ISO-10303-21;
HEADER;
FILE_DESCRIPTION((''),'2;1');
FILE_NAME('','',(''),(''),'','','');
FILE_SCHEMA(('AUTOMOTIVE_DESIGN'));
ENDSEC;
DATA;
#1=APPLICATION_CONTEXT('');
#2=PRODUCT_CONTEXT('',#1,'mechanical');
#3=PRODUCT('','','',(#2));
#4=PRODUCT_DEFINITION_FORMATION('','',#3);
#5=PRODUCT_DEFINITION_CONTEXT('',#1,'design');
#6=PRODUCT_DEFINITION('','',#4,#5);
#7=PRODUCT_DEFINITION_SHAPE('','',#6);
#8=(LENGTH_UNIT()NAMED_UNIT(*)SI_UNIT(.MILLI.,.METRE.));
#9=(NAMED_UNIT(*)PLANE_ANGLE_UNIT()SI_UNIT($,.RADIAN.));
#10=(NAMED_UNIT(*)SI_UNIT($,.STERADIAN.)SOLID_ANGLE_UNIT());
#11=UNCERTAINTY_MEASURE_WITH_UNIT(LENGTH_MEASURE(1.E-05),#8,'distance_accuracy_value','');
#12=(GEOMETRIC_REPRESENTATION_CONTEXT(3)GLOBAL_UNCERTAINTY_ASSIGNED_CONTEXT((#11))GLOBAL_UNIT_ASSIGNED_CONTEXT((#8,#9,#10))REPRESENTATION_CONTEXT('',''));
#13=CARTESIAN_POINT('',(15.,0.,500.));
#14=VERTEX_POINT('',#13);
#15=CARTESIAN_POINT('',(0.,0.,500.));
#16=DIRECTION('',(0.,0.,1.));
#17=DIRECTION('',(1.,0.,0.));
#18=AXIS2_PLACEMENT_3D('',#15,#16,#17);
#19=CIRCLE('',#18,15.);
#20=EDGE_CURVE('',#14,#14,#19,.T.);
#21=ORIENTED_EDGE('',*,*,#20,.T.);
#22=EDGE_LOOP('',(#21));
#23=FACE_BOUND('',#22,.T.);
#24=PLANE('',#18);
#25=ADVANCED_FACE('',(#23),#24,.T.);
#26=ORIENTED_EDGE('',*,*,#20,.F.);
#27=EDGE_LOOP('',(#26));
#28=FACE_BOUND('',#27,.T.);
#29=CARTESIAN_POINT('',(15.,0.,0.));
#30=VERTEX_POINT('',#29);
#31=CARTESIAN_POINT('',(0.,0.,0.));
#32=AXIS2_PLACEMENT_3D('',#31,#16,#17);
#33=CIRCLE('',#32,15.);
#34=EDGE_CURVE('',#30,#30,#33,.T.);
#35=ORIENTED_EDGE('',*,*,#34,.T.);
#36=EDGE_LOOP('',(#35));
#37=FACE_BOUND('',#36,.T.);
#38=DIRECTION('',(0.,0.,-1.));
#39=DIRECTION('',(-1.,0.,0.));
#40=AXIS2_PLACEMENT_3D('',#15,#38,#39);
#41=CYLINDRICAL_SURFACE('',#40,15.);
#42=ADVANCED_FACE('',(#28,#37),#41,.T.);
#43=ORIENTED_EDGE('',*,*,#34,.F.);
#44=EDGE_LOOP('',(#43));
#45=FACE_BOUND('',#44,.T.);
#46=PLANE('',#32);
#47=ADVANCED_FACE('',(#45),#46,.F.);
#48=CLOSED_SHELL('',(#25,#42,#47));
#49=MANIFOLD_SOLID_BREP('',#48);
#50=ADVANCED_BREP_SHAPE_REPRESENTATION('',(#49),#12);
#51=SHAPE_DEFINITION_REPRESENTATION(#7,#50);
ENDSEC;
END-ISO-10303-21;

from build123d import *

# Parameters (mm, degrees)
SKETCH1_R           = 15
BOSS_EXTRUDE1_DEPTH = 500


with BuildPart() as part:
    # Sketch1 → Boss-Extrude1 (new body)
    with BuildSketch(Plane.XY):
        Circle(SKETCH1_R)
    extrude(amount=BOSS_EXTRUDE1_DEPTH)


solid = part.part
